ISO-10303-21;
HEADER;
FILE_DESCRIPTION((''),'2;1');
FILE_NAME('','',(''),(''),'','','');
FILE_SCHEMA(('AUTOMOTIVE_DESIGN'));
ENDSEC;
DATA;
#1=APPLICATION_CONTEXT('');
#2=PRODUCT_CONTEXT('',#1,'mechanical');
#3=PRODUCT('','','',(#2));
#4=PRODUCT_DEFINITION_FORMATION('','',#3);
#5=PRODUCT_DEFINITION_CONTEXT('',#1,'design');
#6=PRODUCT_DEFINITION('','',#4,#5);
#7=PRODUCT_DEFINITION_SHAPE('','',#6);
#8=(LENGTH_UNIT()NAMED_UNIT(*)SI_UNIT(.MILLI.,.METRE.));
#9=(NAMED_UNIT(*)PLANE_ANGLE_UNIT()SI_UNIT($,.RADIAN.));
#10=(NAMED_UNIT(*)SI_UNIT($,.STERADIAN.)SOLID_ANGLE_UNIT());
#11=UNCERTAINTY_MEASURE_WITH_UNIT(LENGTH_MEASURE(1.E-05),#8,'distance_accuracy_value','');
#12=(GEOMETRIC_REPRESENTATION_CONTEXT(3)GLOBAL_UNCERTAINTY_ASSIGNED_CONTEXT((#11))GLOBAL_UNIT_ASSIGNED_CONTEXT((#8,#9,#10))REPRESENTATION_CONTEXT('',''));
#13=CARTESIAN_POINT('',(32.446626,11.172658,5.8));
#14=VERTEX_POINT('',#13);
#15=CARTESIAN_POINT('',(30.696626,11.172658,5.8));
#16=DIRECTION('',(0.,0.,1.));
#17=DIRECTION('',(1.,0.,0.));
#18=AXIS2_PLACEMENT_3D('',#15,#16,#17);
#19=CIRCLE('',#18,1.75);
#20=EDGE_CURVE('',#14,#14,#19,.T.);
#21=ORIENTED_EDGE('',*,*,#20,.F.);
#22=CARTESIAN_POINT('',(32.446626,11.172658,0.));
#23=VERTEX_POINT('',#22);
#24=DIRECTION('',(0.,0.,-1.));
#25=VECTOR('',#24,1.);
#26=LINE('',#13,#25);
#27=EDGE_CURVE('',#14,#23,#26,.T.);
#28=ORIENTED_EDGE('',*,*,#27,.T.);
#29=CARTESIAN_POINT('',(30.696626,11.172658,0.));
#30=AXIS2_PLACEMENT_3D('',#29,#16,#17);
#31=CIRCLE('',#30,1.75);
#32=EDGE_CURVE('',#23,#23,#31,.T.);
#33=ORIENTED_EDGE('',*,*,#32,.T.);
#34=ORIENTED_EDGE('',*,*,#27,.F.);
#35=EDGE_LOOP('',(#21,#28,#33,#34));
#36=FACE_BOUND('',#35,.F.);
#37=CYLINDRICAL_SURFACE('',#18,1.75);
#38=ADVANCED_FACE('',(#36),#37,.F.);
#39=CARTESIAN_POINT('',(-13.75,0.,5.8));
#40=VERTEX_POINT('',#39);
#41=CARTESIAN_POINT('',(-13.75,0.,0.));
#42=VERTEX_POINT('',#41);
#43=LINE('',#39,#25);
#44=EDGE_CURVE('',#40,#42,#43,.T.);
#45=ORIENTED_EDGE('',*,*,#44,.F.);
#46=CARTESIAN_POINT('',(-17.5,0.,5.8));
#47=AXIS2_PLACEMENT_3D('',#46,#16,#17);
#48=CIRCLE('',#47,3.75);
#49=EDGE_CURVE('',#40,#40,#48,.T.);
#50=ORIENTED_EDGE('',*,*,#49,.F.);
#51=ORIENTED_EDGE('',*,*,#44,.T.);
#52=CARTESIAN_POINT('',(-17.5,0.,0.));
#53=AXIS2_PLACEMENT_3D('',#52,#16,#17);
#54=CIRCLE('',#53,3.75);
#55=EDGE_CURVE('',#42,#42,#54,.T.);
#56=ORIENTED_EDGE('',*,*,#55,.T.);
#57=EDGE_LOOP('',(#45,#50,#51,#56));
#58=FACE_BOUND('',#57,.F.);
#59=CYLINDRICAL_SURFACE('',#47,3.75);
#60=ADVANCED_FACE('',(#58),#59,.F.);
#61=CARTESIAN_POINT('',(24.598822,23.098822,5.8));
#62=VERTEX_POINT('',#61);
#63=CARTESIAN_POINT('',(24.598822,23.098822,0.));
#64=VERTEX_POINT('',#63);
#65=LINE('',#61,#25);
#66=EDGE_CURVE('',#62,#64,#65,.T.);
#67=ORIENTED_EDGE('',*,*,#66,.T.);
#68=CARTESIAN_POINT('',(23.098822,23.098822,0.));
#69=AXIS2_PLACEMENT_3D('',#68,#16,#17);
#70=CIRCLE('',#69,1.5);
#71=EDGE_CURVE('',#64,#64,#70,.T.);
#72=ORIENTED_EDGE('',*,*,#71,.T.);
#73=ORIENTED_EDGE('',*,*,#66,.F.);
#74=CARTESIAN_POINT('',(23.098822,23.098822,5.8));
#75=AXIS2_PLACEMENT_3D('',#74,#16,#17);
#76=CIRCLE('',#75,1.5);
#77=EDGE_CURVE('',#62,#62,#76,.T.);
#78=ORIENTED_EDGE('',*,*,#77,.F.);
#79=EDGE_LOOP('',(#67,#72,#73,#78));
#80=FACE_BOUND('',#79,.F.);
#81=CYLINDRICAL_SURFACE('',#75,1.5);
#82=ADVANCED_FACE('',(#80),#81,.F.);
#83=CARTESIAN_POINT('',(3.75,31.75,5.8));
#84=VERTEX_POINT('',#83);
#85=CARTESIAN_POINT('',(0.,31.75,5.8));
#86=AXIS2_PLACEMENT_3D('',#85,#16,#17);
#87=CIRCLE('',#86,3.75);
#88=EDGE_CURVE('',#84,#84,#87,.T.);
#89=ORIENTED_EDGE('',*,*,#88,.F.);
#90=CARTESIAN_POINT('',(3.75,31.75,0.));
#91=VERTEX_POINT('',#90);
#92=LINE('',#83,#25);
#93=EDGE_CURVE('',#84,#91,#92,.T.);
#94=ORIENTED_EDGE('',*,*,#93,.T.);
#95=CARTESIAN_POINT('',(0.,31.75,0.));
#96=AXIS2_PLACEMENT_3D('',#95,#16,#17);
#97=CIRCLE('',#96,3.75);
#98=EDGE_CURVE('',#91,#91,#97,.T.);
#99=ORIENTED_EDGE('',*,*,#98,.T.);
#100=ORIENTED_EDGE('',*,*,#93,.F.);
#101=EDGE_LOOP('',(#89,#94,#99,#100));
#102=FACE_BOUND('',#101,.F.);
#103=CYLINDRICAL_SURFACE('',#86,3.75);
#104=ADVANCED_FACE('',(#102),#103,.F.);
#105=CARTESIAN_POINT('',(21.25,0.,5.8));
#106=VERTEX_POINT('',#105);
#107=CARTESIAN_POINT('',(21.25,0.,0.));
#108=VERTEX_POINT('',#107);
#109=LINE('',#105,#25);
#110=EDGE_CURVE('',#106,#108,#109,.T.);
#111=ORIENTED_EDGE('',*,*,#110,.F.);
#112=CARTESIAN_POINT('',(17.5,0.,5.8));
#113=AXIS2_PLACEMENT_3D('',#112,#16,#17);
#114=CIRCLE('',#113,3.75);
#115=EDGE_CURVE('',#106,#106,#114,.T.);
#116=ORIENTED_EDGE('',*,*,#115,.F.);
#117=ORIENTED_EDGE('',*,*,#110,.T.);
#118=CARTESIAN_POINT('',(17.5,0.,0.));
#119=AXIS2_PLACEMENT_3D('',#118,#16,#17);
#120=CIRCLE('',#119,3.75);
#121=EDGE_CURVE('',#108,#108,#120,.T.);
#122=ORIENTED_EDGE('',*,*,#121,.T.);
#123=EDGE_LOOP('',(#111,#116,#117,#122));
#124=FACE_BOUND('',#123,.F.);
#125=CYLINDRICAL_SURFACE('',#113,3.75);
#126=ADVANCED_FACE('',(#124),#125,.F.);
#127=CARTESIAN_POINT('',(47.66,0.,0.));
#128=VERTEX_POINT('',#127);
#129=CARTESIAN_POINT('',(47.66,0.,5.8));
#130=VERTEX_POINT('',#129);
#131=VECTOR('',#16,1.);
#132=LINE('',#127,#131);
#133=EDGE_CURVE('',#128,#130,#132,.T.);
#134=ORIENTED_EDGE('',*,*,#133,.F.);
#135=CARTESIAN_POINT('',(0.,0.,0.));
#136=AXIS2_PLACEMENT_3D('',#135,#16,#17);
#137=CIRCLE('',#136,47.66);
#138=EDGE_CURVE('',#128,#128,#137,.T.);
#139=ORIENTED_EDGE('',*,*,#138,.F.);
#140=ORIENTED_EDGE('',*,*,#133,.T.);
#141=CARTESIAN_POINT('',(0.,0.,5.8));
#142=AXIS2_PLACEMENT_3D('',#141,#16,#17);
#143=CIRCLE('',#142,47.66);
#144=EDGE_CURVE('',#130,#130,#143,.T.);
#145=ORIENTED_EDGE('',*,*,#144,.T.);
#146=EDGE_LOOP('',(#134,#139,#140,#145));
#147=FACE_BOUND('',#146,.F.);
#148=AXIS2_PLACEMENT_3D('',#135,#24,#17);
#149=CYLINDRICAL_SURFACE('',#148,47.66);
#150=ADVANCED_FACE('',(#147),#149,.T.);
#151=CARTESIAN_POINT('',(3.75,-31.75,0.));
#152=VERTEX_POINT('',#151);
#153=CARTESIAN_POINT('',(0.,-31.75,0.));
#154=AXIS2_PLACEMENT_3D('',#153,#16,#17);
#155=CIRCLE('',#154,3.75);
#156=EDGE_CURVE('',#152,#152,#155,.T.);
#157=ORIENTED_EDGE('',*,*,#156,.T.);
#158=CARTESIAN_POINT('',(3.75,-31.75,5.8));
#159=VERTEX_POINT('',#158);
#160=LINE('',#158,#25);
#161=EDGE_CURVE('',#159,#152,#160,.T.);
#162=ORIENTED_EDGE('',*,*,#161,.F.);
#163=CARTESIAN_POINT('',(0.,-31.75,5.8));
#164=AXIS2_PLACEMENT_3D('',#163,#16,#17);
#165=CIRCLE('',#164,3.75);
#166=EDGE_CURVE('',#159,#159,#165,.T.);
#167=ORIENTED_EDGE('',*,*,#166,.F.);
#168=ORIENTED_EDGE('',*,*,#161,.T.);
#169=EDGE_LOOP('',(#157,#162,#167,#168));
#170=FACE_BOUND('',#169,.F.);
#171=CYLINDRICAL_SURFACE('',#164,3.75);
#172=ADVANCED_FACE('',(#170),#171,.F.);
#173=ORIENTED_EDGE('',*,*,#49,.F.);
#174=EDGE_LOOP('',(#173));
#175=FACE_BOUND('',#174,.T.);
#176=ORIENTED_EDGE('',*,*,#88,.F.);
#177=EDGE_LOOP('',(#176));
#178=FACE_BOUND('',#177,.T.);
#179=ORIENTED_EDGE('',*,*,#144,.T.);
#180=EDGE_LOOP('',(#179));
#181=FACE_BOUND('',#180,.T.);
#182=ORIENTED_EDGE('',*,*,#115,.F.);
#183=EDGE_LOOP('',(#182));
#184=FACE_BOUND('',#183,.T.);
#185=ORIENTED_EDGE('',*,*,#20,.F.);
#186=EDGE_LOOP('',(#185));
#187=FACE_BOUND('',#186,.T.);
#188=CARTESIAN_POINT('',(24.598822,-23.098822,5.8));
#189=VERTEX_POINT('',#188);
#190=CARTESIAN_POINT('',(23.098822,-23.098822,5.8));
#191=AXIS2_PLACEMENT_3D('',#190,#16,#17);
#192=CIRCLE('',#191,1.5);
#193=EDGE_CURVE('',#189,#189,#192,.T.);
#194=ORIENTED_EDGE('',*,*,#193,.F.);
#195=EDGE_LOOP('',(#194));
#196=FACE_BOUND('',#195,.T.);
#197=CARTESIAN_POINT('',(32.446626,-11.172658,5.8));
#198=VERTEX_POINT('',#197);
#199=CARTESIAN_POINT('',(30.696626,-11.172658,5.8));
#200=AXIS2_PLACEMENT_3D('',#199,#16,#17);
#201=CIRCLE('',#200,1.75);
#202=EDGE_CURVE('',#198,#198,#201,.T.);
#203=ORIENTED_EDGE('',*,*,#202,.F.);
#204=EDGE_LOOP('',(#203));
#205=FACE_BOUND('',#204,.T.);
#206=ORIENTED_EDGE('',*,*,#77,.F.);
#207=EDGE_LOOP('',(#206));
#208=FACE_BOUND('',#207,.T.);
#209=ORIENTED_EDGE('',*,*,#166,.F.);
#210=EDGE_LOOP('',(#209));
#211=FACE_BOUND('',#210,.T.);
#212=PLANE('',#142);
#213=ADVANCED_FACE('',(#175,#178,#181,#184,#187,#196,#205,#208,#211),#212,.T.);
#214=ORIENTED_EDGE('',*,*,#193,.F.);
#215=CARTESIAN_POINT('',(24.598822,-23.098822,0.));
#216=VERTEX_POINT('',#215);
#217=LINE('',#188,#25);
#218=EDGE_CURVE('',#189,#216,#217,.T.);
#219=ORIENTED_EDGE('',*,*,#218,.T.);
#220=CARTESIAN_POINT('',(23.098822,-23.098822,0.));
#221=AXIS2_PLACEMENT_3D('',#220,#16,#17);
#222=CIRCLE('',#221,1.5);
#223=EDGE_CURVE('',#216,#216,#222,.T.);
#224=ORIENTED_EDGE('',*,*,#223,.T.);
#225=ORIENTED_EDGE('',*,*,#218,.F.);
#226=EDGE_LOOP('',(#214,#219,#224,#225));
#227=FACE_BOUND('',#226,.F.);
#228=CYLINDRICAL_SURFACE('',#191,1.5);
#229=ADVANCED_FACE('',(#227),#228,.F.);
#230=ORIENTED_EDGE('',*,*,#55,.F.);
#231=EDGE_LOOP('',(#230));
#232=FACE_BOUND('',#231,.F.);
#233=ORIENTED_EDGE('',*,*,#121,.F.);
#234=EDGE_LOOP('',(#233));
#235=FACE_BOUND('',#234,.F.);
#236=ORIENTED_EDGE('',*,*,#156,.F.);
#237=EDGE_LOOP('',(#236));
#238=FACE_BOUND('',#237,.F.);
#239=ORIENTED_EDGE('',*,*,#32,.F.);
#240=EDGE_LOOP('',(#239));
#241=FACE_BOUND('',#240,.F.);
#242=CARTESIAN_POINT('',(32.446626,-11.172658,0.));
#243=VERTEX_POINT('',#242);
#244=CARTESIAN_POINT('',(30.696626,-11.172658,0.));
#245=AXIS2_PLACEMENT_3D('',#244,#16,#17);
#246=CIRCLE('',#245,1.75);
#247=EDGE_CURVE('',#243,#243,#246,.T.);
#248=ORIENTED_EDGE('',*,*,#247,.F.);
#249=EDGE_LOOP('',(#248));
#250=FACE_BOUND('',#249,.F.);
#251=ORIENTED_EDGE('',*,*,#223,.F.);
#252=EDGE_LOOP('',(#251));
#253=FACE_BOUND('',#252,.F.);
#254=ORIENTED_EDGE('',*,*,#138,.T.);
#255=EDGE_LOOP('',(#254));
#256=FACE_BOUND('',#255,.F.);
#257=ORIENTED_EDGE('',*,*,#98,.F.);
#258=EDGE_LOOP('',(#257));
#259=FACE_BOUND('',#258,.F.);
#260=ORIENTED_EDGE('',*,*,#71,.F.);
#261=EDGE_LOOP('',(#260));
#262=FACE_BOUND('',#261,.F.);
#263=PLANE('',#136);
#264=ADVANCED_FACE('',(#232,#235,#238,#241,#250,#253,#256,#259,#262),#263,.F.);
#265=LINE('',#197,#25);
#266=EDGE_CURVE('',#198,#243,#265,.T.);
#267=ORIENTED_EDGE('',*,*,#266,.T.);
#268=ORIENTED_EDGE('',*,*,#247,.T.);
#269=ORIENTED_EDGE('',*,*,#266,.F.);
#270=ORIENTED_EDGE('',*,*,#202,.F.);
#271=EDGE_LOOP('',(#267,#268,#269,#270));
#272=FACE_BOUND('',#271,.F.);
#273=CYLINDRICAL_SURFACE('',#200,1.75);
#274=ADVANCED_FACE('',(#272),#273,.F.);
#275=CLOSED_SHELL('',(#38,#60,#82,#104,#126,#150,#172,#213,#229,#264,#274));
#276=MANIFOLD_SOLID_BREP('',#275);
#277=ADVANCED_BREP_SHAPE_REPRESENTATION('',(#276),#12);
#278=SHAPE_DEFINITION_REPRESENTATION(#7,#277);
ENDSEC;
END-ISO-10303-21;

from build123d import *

# Parameters (mm, degrees)
SKETCH_R      = 47.66
PAD_DEPTH     = 5.8
SKETCH001_R   = 3.75
SKETCH001_R_2 = 1.5
SKETCH001_R_3 = 1.75
POCKET_DEPTH  = 5.801


with BuildPart() as part:
    # Sketch → Pad (new body)
    with BuildSketch(Plane.XY):
        Circle(SKETCH_R)
    extrude(amount=PAD_DEPTH)

    # Sketch001 (on Face3 of Pad) → Pocket (cut, through all)
    with BuildSketch(Plane.XY.offset(5.8)):
        with Locations((0, 31.75)):
            Circle(SKETCH001_R)
        with Locations((0, -31.75)):
            Circle(SKETCH001_R)
        with Locations((-17.5, 0)):
            Circle(SKETCH001_R)
        with Locations((17.5, 0)):
            Circle(SKETCH001_R)
        with Locations((23.098822, 23.098822)):
            Circle(SKETCH001_R_2)
        with Locations((23.098822, -23.098822)):
            Circle(SKETCH001_R_2)
        with Locations((30.696626, 11.172658)):
            Circle(SKETCH001_R_3)
        with Locations((30.696626, -11.172658)):
            Circle(SKETCH001_R_3)
    extrude(amount=-POCKET_DEPTH, mode=Mode.SUBTRACT)


solid = part.part
